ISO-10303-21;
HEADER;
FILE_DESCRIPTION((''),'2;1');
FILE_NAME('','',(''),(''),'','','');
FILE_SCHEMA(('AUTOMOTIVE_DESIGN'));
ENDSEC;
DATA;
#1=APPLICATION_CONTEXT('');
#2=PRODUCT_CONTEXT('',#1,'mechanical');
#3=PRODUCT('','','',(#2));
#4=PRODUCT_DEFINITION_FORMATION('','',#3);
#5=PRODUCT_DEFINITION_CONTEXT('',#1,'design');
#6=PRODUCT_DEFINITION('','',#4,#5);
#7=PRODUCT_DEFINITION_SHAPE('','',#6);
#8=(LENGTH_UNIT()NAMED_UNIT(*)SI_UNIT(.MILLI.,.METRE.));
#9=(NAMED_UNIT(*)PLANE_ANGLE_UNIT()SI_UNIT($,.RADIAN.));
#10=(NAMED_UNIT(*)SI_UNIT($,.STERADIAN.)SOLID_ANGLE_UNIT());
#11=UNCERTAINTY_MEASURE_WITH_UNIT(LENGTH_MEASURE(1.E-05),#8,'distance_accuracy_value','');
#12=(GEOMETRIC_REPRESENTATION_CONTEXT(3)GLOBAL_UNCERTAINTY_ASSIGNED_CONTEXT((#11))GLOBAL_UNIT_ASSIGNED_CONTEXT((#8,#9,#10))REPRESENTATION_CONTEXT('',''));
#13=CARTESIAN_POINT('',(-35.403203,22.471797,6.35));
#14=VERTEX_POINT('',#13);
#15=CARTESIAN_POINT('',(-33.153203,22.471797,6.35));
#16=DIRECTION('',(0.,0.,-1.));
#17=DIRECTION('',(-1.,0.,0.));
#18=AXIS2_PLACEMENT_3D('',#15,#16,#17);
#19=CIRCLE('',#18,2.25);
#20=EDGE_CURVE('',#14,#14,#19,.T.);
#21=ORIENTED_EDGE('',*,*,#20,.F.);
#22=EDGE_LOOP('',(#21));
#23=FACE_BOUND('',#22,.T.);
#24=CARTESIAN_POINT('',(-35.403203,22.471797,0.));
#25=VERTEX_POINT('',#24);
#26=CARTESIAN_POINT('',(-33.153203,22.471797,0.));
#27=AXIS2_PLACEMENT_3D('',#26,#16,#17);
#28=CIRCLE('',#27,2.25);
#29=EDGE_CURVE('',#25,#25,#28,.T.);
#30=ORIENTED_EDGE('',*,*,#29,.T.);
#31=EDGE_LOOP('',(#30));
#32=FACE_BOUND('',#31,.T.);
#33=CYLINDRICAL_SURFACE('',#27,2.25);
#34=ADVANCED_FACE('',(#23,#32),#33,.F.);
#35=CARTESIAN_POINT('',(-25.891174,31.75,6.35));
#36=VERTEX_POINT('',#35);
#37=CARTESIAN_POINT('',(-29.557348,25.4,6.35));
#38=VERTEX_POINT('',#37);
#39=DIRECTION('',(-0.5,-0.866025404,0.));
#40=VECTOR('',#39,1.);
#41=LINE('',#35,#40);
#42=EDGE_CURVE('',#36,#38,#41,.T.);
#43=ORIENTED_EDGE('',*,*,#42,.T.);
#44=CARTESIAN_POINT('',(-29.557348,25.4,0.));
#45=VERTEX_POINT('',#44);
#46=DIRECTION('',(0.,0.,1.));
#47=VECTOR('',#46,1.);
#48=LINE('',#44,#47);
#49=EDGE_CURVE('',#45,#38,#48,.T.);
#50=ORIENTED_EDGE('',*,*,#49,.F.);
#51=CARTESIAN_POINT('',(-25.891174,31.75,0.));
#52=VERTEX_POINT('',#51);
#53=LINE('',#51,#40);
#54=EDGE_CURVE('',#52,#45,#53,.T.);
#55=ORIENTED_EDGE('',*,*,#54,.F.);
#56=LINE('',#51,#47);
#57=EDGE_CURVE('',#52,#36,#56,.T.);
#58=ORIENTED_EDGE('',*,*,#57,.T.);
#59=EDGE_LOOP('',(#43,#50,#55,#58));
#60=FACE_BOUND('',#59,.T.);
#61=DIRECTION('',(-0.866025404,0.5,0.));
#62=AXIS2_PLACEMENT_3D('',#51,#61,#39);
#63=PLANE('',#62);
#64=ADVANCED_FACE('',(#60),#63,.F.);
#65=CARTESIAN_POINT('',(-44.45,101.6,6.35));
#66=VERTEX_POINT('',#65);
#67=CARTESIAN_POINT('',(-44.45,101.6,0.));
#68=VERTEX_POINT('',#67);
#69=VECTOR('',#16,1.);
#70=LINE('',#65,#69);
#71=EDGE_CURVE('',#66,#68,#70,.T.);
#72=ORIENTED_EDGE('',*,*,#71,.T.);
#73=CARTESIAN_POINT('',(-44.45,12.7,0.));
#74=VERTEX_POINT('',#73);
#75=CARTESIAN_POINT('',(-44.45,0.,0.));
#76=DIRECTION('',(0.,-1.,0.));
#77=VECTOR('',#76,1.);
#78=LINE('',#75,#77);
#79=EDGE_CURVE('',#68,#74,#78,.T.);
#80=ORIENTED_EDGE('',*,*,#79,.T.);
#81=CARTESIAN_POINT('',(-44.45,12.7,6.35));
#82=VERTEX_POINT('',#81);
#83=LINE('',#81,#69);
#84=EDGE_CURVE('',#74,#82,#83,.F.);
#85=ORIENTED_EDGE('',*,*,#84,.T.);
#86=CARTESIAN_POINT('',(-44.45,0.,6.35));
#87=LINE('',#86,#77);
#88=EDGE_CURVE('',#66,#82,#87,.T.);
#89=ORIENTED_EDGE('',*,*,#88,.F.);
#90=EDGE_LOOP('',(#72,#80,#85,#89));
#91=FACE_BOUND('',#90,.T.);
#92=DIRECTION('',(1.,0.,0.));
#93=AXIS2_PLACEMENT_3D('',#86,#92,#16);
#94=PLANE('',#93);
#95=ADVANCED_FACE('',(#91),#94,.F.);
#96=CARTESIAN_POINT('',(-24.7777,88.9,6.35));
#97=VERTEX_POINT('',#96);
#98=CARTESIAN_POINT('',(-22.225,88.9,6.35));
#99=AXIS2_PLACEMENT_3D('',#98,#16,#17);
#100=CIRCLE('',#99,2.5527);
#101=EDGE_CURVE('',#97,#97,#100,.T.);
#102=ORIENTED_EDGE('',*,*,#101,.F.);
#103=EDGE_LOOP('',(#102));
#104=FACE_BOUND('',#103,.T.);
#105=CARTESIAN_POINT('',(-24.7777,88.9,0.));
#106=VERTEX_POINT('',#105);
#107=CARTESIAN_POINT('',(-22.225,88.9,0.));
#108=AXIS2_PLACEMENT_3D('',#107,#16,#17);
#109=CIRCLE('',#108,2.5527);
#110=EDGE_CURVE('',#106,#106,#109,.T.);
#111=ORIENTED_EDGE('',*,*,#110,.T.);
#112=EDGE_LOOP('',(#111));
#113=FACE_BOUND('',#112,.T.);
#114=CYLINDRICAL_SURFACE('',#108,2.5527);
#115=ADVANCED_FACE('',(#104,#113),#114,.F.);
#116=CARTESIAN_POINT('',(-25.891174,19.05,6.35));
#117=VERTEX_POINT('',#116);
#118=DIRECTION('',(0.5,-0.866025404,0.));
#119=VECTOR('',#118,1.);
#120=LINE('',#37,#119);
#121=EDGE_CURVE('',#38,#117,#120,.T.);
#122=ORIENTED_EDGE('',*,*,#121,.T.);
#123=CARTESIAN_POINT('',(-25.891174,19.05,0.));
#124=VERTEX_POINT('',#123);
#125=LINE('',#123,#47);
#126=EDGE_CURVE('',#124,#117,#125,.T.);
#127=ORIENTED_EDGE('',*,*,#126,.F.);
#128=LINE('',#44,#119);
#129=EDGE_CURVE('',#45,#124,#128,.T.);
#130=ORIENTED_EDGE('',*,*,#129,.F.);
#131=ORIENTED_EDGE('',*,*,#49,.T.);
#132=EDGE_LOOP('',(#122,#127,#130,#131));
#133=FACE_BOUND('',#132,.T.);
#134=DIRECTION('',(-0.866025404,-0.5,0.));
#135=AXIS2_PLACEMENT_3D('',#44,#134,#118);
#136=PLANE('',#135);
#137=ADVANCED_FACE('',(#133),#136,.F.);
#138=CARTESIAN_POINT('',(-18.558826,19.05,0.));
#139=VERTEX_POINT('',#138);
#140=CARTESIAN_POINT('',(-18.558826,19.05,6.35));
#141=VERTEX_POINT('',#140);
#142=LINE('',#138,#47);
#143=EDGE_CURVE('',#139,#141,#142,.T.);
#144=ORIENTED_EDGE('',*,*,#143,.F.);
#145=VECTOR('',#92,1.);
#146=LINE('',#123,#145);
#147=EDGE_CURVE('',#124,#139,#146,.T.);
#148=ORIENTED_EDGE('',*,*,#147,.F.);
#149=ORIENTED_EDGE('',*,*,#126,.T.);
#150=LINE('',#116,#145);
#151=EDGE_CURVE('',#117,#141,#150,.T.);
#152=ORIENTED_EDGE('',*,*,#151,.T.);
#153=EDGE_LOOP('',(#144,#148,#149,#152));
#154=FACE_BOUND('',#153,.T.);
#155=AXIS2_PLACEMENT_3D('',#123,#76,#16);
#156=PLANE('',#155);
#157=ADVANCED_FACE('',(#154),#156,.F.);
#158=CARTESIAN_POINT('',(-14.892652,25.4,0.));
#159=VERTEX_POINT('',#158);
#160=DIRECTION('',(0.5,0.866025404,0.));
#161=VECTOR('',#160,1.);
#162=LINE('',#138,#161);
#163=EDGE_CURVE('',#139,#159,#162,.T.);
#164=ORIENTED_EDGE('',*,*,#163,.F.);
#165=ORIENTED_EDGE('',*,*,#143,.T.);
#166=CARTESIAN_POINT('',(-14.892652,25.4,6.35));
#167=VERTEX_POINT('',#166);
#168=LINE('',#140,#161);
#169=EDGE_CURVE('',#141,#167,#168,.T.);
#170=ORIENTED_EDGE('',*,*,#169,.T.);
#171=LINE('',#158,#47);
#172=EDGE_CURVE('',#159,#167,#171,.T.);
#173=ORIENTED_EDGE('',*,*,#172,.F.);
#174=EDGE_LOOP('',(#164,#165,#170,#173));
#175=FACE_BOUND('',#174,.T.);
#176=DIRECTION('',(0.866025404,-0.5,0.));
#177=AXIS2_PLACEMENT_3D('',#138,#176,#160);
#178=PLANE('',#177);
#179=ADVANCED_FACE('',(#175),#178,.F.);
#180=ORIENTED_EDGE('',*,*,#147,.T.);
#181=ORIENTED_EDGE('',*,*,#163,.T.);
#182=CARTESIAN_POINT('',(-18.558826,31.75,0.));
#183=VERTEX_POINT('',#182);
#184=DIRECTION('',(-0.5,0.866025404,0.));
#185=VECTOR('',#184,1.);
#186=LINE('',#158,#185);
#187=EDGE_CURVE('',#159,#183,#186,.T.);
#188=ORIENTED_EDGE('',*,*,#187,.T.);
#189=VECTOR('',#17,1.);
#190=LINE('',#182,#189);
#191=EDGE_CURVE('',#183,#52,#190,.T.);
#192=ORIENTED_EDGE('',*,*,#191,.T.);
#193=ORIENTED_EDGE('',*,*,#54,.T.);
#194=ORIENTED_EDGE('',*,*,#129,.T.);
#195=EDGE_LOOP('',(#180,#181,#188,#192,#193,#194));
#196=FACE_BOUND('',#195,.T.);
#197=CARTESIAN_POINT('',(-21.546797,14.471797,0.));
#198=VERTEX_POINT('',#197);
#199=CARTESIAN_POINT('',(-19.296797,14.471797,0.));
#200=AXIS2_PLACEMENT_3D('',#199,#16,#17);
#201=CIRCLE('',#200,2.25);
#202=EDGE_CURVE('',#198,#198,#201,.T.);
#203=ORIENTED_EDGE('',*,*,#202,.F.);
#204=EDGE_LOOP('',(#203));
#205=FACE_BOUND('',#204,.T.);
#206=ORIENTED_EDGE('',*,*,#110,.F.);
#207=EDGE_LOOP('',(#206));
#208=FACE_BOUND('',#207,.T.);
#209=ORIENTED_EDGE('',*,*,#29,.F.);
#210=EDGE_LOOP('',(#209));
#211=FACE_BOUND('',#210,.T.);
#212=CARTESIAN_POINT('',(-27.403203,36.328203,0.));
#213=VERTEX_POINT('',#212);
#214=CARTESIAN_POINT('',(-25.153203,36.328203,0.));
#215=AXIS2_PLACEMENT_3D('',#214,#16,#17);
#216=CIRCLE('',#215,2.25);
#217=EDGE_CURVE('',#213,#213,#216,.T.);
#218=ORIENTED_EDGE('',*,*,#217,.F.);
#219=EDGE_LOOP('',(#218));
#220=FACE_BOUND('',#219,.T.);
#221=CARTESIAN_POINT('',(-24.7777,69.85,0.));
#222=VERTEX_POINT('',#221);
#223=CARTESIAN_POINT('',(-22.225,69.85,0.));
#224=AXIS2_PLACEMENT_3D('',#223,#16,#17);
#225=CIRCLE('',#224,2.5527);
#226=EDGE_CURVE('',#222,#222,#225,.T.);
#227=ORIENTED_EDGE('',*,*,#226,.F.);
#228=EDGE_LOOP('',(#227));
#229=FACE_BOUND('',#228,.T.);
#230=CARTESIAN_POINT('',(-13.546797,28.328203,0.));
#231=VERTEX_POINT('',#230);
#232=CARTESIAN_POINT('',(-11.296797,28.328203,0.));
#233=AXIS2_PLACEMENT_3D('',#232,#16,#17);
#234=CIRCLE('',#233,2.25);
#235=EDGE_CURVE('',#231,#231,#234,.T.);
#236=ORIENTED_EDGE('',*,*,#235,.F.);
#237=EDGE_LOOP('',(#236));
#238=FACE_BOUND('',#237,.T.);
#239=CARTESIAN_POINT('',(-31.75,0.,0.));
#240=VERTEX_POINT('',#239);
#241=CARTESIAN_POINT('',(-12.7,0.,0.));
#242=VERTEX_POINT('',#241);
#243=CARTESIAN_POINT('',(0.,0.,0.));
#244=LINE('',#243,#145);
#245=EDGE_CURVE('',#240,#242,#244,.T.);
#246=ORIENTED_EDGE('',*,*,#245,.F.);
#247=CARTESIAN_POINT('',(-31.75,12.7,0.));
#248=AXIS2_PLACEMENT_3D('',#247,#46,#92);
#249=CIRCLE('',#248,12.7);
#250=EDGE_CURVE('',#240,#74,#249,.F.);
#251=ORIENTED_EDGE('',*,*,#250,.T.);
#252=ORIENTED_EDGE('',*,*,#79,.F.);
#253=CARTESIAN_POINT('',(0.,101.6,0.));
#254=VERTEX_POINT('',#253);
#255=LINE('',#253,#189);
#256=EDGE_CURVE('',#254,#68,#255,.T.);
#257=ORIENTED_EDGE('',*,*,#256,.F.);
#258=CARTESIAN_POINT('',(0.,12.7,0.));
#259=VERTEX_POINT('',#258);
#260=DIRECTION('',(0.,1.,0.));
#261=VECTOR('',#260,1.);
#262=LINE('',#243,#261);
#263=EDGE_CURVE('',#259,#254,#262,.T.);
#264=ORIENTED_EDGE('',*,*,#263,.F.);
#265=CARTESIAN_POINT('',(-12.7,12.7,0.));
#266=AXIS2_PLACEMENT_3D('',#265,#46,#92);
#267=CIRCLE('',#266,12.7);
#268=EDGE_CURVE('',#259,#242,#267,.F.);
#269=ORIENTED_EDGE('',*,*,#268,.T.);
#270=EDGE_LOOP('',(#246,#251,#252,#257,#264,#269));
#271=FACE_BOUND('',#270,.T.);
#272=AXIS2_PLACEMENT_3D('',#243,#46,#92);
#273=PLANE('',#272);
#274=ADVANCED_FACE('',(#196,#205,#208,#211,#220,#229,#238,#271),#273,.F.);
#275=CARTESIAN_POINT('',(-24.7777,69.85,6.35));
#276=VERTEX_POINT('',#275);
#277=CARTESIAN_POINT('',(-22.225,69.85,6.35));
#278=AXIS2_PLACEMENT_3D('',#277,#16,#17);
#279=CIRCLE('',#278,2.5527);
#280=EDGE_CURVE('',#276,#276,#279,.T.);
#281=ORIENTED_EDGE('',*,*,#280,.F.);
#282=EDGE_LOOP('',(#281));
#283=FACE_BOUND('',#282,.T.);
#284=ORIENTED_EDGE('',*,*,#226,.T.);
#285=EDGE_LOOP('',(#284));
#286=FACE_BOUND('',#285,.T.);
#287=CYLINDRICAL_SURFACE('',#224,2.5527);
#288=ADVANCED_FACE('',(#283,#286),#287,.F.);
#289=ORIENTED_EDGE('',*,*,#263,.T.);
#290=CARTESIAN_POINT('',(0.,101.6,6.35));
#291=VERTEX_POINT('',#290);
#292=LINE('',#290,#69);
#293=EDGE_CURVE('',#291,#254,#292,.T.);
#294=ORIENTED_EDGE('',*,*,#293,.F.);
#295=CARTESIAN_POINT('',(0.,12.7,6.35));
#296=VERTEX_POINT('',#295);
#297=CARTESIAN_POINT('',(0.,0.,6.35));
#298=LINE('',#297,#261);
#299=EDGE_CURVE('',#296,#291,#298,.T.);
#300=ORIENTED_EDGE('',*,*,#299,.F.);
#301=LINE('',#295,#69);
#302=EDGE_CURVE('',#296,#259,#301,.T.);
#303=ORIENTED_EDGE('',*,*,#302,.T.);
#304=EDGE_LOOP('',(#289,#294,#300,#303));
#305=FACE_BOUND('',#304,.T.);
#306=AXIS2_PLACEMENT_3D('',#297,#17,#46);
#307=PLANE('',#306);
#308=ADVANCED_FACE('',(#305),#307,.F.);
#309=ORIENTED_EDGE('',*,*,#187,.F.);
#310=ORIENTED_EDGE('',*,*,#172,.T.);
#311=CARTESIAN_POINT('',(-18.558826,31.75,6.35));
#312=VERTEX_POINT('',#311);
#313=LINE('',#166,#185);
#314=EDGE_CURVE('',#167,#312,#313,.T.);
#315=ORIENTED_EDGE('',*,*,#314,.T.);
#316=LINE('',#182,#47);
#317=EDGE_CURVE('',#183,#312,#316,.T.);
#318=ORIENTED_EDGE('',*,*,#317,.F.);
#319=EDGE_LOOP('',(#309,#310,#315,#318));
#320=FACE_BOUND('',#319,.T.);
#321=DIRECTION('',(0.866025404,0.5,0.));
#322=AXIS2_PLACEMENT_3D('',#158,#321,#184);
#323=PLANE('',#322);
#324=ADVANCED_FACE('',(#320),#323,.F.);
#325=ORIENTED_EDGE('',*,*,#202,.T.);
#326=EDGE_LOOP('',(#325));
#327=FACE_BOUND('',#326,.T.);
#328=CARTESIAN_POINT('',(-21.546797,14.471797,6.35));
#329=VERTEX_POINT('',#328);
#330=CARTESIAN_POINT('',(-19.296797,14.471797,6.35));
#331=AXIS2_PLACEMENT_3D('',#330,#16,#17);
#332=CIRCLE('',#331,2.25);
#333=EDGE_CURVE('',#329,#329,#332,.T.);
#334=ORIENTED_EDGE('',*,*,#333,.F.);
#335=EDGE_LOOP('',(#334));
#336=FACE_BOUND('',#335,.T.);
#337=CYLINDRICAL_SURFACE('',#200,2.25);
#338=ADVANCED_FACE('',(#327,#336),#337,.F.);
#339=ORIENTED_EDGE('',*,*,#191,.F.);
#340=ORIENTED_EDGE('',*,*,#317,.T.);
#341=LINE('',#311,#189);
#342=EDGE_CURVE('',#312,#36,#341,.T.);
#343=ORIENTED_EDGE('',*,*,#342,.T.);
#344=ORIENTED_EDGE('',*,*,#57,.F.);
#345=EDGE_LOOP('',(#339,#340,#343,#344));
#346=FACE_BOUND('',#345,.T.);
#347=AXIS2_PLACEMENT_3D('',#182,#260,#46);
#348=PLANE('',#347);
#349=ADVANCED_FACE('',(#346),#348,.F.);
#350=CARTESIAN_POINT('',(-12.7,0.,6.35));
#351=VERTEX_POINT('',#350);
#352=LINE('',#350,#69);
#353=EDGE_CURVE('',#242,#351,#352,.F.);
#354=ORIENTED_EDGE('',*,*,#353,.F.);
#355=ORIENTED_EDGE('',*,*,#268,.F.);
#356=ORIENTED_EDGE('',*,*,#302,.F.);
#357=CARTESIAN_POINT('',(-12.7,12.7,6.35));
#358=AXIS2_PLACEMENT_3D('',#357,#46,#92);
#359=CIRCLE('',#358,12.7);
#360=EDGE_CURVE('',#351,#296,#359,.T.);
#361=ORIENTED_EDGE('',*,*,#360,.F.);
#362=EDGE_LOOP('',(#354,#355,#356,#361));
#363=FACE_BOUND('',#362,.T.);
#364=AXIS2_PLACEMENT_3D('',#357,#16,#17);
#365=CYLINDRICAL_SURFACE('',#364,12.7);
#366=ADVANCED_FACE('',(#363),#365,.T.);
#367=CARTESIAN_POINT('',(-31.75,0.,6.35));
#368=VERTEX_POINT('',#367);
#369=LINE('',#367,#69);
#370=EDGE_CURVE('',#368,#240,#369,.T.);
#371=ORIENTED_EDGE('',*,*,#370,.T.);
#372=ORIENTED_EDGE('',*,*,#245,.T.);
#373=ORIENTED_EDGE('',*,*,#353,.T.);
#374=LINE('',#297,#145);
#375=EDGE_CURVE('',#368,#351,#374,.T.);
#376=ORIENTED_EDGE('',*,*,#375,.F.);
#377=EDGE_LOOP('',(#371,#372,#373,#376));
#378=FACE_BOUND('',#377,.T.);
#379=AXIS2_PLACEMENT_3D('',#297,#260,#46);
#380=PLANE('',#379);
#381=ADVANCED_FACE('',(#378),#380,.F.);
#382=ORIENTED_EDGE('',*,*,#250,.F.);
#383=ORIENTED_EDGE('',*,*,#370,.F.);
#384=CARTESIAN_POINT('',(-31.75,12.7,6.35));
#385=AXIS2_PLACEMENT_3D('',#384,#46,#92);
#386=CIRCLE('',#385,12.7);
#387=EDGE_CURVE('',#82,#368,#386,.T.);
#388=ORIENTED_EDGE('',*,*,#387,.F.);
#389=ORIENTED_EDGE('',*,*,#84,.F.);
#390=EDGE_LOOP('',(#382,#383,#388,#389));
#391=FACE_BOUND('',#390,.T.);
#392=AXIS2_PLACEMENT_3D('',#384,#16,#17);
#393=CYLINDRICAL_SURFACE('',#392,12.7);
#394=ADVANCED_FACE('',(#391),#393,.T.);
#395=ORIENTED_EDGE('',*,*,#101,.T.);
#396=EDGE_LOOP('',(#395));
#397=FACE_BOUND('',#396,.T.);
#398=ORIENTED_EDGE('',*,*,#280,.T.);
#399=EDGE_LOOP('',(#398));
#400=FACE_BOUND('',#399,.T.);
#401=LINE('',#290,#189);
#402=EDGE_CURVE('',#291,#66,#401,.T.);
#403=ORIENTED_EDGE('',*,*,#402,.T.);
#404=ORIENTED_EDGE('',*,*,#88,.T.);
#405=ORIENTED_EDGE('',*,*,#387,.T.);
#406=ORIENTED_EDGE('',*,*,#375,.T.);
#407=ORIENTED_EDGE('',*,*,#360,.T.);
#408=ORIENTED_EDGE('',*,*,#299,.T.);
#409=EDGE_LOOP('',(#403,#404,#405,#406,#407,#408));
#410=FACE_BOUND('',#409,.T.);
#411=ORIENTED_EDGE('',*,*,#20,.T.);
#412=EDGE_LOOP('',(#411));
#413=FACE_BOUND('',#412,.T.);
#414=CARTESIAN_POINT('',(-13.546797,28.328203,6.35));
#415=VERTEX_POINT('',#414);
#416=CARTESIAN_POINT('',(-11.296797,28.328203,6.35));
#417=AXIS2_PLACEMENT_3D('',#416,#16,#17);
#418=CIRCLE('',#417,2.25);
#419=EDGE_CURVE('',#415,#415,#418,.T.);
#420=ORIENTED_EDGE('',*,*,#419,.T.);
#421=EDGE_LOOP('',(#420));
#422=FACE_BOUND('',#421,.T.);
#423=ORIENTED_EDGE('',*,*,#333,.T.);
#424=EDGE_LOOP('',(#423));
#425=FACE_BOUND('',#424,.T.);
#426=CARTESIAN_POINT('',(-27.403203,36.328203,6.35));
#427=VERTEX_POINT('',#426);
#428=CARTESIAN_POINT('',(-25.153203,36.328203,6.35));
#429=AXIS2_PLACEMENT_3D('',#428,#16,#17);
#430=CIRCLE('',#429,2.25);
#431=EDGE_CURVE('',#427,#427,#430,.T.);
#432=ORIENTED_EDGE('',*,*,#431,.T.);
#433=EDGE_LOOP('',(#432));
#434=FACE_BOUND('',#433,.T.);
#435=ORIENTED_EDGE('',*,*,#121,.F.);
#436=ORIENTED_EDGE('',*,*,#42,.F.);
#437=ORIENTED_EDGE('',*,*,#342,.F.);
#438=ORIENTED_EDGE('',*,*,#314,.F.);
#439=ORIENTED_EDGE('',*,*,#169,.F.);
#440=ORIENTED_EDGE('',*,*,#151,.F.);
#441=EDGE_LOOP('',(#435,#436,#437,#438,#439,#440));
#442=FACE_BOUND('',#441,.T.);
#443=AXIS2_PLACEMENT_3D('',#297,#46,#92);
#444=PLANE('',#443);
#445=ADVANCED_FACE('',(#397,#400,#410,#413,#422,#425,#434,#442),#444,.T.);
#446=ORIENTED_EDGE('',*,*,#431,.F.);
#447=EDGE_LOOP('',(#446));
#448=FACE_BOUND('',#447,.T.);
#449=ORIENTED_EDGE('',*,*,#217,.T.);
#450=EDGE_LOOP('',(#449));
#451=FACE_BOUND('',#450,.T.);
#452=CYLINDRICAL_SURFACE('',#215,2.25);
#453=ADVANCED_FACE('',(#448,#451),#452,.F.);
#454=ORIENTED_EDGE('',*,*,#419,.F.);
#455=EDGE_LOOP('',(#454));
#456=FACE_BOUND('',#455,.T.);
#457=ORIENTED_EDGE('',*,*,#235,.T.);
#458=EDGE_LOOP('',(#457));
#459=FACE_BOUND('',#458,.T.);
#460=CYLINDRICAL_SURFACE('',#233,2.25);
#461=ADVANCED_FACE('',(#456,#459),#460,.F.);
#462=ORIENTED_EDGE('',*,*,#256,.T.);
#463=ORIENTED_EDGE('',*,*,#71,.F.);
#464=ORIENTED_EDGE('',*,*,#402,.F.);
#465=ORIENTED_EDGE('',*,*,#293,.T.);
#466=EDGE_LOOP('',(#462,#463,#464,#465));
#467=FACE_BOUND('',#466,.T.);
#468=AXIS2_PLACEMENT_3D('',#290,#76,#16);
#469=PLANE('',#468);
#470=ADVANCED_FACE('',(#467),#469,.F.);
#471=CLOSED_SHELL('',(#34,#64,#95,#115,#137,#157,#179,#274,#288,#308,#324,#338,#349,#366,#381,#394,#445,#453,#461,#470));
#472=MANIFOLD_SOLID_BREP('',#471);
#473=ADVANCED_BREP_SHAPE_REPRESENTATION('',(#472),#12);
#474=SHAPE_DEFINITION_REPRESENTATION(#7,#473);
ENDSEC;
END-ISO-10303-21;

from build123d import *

# Parameters (mm, degrees)
SKETCH1_W                  = 44.45
SKETCH1_H                  = 101.6
BOSS_EXTRUDE2_DEPTH        = 6.35
FILLET1_R                  = 12.7
F_7_0_201_DIAMETER_HOLE2_D = 5.1054
CUT_EXTRUDE1_DEPTH         = 112.079633597
M4_CLEARANCE_HOLE1_D       = 4.5


with BuildPart() as part:
    # Sketch1 → Boss-Extrude2 (new body)
    with BuildSketch(Plane.XY):
        with Locations((-22.225, 50.8)):
            Rectangle(SKETCH1_W, SKETCH1_H)
    extrude(amount=BOSS_EXTRUDE2_DEPTH)

    # Fillet1
    fillet1_edges = [part.edges().sort_by_distance(p)[0] for p in [
        (0, 0, 3.175),
        (-44.45, 0, 3.175),
    ]]
    fillet(fillet1_edges, radius=FILLET1_R)

    # #7 (0.201) Diameter Hole2 (through all)
    with Locations(Plane(origin=(0, 0, 0), x_dir=(-1, 0, 0), z_dir=(0, 0, -1))):
        with Locations((22.225, 88.9), (22.225, 69.85)):
            Hole(F_7_0_201_DIAMETER_HOLE2_D / 2)

    # Sketch14 → Cut-Extrude1 (cut, through all)
    with BuildSketch(Plane.XY.offset(6.35)):
        Polygon((-14.892651581, 25.4), (-18.558825791, 31.75), (-25.891174209, 31.75), (-29.557348419, 25.4), (-25.891174209, 19.05), (-18.558825791, 19.05), align=None)
    extrude(amount=-CUT_EXTRUDE1_DEPTH, mode=Mode.SUBTRACT)

    # M4 Clearance Hole1 (through all)
    with Locations(Plane(origin=(0, 0, 0), x_dir=(-1, 0, 0), z_dir=(0, 0, -1))):
        with Locations((11.29679677, 28.32820323), (25.15320323, 36.32820323), (33.15320323, 22.47179677), (19.29679677, 14.47179677)):
            Hole(M4_CLEARANCE_HOLE1_D / 2)


solid = part.part
